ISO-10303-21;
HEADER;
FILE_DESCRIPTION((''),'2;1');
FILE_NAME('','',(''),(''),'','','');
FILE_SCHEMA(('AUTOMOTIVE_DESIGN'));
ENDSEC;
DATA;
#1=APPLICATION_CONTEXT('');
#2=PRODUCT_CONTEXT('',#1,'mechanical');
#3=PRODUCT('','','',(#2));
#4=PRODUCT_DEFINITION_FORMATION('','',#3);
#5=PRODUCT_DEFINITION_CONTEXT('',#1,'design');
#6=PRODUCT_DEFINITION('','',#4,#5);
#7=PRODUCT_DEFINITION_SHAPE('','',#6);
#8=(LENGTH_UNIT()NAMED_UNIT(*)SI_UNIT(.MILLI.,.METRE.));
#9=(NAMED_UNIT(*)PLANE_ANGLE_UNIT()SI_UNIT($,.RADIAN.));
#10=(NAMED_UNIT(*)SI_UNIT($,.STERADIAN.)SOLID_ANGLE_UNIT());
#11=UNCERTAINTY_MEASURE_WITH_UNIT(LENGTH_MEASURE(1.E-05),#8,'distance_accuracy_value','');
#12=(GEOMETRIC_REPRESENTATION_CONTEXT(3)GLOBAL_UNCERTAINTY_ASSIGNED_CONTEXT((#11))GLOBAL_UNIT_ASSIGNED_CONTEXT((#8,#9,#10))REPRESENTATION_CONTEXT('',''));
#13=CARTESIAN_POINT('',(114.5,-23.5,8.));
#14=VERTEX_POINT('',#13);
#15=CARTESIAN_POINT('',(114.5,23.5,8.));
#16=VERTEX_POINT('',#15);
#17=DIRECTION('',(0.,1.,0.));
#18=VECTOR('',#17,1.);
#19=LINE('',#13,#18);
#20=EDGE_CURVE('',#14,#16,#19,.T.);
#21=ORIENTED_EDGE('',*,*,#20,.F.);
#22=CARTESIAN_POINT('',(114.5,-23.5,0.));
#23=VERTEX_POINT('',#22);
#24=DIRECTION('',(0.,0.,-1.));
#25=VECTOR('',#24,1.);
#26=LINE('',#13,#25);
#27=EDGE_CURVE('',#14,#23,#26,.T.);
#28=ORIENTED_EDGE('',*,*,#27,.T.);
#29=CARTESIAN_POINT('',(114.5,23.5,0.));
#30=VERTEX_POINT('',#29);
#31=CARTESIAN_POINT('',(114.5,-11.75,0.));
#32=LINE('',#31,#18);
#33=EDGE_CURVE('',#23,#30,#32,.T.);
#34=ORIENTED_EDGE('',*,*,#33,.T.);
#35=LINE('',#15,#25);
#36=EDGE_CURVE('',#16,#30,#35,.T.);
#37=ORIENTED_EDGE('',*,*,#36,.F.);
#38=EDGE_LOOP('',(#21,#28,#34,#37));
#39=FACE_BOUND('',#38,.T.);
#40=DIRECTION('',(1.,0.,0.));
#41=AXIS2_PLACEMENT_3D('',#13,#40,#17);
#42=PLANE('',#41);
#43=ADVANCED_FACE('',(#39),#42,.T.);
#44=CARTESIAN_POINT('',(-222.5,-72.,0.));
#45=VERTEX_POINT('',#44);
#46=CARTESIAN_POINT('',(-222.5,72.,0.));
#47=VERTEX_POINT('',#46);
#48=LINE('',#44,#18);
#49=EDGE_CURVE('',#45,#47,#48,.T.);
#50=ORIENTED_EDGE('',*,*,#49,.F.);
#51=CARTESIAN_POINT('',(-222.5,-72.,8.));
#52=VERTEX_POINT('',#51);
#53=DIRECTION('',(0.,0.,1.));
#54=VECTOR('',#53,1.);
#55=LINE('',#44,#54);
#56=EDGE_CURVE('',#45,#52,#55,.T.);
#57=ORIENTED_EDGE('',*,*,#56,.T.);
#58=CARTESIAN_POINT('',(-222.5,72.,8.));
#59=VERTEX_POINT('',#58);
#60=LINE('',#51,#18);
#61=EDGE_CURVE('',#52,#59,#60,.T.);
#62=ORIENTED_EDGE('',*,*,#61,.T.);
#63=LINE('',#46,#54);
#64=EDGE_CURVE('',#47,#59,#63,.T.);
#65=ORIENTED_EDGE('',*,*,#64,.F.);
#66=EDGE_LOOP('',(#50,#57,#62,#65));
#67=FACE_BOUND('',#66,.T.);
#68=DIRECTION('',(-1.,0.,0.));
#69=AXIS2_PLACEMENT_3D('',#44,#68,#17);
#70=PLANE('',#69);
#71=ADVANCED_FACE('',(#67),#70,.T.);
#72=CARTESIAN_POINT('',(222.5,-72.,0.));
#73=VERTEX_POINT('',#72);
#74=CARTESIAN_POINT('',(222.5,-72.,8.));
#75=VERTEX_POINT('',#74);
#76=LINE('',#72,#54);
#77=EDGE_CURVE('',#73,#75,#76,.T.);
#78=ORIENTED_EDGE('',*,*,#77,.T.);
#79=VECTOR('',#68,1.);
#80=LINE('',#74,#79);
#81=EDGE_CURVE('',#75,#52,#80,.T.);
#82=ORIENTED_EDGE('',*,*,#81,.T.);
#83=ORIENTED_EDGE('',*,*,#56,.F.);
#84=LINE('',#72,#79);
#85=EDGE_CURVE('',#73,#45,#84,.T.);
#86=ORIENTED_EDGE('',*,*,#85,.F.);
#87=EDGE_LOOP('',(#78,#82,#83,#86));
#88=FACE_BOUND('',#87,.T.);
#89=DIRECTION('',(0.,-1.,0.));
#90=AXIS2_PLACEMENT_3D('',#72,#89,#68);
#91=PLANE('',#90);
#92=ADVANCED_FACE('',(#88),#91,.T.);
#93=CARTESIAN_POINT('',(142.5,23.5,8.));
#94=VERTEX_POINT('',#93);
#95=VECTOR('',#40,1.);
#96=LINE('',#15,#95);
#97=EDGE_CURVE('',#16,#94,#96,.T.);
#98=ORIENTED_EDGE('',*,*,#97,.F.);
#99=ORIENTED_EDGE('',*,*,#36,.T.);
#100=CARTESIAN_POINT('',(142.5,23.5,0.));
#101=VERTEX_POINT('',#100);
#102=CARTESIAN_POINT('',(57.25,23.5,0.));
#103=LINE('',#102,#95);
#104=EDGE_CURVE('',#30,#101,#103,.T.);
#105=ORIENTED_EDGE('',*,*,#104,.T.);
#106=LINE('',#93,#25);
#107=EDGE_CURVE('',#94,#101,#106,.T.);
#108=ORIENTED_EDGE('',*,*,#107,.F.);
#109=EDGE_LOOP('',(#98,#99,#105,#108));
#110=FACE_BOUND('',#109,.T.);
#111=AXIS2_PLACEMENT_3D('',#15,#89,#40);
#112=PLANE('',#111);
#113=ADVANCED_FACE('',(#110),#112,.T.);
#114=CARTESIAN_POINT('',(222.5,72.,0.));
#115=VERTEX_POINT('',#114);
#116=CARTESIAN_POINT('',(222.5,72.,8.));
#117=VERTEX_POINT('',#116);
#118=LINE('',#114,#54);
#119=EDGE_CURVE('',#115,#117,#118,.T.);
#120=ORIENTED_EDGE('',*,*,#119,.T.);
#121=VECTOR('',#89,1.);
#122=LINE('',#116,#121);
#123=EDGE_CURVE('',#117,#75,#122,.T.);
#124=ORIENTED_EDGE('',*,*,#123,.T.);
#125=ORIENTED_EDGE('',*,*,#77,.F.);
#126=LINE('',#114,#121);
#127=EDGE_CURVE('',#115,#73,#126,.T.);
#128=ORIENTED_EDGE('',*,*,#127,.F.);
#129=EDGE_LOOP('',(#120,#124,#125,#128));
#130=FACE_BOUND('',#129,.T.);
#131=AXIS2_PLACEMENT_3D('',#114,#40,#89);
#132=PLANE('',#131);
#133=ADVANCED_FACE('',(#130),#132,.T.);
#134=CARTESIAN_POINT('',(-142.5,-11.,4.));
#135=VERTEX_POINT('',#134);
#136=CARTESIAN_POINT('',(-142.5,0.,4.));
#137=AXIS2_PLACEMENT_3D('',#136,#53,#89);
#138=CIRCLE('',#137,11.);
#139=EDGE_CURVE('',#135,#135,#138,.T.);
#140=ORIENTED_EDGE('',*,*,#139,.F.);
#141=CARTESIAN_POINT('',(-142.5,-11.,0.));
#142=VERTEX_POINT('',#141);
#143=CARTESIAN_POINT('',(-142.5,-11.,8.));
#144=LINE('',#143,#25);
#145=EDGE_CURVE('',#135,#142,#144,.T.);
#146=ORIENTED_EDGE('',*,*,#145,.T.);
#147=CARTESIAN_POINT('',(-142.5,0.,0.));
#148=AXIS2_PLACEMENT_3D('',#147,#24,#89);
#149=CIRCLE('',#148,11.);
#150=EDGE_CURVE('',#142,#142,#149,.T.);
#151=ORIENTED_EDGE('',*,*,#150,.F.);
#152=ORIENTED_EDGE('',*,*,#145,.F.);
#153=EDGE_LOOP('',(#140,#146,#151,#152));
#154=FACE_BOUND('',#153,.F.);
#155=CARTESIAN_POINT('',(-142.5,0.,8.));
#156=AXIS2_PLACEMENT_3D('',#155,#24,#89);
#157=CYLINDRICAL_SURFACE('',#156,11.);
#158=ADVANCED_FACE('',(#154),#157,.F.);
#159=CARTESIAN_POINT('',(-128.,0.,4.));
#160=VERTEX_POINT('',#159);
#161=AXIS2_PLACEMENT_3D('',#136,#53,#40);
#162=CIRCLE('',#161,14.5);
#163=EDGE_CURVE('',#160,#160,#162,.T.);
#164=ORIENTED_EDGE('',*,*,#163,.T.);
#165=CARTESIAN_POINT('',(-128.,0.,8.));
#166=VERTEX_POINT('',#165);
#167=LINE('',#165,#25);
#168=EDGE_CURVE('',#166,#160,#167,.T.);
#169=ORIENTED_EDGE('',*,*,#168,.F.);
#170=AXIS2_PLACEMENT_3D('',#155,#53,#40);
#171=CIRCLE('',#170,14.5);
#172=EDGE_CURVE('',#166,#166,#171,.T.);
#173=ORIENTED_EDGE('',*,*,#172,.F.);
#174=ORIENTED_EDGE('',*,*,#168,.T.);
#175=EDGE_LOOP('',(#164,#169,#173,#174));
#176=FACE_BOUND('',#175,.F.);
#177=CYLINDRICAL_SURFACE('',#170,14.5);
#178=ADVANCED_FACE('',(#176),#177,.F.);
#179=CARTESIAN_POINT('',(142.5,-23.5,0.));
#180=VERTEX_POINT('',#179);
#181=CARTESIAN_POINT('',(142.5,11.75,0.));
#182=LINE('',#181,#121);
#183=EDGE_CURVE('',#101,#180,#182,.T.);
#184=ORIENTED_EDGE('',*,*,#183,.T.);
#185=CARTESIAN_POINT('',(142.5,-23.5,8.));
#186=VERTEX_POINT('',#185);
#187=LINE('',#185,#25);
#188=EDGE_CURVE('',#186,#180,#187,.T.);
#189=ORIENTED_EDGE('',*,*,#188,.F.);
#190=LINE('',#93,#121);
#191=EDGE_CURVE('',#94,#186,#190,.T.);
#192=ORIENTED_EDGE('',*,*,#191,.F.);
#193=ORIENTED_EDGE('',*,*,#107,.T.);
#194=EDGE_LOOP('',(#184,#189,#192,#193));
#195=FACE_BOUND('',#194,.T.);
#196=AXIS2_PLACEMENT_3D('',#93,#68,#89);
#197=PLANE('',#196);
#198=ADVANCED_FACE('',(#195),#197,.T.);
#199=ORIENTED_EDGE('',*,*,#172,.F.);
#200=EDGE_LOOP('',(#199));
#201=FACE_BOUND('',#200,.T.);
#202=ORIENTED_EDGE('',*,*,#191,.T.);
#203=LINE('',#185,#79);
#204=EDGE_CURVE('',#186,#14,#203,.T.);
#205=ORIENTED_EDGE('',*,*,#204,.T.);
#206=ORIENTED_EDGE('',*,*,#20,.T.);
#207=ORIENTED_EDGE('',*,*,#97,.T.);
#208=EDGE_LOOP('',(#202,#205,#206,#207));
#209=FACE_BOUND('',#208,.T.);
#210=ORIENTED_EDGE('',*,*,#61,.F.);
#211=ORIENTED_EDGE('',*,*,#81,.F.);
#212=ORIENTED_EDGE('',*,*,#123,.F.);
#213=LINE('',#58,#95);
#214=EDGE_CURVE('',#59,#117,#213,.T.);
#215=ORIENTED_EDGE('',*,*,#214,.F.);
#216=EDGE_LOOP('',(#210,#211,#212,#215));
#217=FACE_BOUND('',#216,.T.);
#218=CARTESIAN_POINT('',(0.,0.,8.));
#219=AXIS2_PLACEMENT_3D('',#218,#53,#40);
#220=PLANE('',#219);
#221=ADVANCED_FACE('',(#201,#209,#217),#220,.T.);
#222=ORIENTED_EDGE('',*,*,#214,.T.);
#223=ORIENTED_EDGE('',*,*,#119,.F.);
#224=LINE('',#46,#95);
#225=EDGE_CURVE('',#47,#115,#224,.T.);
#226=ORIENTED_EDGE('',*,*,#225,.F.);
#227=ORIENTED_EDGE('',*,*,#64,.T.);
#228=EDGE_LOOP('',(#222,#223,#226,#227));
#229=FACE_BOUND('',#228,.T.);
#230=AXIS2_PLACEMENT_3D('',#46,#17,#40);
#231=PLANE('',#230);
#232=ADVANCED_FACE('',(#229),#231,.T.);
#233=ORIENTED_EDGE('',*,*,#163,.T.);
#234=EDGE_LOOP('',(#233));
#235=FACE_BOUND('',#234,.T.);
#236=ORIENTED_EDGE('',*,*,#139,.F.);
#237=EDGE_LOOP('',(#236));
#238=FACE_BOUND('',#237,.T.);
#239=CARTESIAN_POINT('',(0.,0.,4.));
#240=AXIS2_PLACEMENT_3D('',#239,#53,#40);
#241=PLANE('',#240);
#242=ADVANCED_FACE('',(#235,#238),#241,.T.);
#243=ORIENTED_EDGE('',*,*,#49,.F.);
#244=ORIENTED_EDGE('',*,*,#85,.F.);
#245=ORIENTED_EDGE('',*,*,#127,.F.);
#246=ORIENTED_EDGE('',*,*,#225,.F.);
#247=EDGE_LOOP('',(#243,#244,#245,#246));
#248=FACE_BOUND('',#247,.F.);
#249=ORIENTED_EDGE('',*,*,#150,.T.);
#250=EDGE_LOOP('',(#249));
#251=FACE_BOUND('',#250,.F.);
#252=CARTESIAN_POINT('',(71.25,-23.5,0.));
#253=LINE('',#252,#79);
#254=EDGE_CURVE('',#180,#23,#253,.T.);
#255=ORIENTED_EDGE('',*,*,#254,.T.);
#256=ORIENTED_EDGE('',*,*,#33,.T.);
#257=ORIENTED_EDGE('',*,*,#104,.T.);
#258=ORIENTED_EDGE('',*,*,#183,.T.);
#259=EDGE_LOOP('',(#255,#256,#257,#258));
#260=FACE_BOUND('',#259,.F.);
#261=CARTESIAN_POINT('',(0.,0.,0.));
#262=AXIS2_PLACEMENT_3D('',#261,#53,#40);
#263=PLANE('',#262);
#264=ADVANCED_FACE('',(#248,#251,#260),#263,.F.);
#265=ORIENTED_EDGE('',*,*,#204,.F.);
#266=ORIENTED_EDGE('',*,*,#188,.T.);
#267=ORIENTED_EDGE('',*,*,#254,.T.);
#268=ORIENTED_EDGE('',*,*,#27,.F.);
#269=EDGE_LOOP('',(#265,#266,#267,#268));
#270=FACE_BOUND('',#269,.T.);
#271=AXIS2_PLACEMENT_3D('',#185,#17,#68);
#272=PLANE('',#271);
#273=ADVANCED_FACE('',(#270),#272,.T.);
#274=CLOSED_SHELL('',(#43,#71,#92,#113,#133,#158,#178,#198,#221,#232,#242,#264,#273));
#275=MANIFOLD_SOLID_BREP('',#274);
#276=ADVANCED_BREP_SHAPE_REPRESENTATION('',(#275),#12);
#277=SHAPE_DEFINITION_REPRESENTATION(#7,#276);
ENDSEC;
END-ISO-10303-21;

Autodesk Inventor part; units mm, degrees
ref_plane "YZ Plane" through (0, 0, 0) normal (1, 0, 0) x (0, 1, 0)
ref_plane "XZ Plane" through (0, 0, 0) normal (0, 1, 0) x (-1, 0, 0)
ref_plane "XY Plane" through (0, 0, 0) normal (0, 0, 1) x (1, 0, 0)
sketch "Sketch1" plane through (0, 0, 0) normal (0, 0, 1) x (1, 0, 0)
  line L0 (-222.5, 72) -> (222.5, 72)
  line L1 (222.5, 72) -> (222.5, -72)
  line L2 (222.5, -72) -> (-222.5, -72)
  line L3 (-222.5, -72) -> (-222.5, 72)
  point P0 (0, 0)
  dimension "d0" = 445
  dimension "d1" = 144
  dimension "d2" = 72
  dimension "d3" = 222.5
extrude "Extrusion1" add sketch "Sketch1" along normal blind 8
hole "Hole1" at (-142.5, 0, 8) direction (0, 0, -1) diameter 22 end through all
sketch "Sketch2" plane through (0, 0, 8) normal (0, 0, 1) x (1, 0, 0)
  circle A0 centre (-142.5, 0) radius 11 projected
  circle A1 centre (-142.5, 0) radius 14.5
  point P0 (0, 0)
  dimension "d15" = 29
extrude "Extrusion2" cut sketch "Sketch2" against normal blind 4
sketch "Sketch3" plane through (0, 0, 8) normal (0, 0, 1) x (1, 0, 0)
  line L0 (114.5, 23.5) -> (142.5, 23.5)
  line L1 (142.5, 23.5) -> (142.5, -23.5)
  line L2 (142.5, -23.5) -> (114.5, -23.5)
  line L3 (114.5, -23.5) -> (114.5, 23.5)
  line L4 (222.5, -72) -> (222.5, 72) projected
  point P0 (0, 0)
  dimension "d18" = 28
  dimension "d19" = 47
  dimension "d20" = 80
  dimension "d21" = 23.5
extrude "Extrusion3" cut sketch "Sketch3" against normal through all
equation "\"d2\" = 0.5 * d1"
equation "\"d3\" = 0.5 * d0"
equation "\"d21\" = 0.5 * d19"
properties part number "placa verticala priza"
